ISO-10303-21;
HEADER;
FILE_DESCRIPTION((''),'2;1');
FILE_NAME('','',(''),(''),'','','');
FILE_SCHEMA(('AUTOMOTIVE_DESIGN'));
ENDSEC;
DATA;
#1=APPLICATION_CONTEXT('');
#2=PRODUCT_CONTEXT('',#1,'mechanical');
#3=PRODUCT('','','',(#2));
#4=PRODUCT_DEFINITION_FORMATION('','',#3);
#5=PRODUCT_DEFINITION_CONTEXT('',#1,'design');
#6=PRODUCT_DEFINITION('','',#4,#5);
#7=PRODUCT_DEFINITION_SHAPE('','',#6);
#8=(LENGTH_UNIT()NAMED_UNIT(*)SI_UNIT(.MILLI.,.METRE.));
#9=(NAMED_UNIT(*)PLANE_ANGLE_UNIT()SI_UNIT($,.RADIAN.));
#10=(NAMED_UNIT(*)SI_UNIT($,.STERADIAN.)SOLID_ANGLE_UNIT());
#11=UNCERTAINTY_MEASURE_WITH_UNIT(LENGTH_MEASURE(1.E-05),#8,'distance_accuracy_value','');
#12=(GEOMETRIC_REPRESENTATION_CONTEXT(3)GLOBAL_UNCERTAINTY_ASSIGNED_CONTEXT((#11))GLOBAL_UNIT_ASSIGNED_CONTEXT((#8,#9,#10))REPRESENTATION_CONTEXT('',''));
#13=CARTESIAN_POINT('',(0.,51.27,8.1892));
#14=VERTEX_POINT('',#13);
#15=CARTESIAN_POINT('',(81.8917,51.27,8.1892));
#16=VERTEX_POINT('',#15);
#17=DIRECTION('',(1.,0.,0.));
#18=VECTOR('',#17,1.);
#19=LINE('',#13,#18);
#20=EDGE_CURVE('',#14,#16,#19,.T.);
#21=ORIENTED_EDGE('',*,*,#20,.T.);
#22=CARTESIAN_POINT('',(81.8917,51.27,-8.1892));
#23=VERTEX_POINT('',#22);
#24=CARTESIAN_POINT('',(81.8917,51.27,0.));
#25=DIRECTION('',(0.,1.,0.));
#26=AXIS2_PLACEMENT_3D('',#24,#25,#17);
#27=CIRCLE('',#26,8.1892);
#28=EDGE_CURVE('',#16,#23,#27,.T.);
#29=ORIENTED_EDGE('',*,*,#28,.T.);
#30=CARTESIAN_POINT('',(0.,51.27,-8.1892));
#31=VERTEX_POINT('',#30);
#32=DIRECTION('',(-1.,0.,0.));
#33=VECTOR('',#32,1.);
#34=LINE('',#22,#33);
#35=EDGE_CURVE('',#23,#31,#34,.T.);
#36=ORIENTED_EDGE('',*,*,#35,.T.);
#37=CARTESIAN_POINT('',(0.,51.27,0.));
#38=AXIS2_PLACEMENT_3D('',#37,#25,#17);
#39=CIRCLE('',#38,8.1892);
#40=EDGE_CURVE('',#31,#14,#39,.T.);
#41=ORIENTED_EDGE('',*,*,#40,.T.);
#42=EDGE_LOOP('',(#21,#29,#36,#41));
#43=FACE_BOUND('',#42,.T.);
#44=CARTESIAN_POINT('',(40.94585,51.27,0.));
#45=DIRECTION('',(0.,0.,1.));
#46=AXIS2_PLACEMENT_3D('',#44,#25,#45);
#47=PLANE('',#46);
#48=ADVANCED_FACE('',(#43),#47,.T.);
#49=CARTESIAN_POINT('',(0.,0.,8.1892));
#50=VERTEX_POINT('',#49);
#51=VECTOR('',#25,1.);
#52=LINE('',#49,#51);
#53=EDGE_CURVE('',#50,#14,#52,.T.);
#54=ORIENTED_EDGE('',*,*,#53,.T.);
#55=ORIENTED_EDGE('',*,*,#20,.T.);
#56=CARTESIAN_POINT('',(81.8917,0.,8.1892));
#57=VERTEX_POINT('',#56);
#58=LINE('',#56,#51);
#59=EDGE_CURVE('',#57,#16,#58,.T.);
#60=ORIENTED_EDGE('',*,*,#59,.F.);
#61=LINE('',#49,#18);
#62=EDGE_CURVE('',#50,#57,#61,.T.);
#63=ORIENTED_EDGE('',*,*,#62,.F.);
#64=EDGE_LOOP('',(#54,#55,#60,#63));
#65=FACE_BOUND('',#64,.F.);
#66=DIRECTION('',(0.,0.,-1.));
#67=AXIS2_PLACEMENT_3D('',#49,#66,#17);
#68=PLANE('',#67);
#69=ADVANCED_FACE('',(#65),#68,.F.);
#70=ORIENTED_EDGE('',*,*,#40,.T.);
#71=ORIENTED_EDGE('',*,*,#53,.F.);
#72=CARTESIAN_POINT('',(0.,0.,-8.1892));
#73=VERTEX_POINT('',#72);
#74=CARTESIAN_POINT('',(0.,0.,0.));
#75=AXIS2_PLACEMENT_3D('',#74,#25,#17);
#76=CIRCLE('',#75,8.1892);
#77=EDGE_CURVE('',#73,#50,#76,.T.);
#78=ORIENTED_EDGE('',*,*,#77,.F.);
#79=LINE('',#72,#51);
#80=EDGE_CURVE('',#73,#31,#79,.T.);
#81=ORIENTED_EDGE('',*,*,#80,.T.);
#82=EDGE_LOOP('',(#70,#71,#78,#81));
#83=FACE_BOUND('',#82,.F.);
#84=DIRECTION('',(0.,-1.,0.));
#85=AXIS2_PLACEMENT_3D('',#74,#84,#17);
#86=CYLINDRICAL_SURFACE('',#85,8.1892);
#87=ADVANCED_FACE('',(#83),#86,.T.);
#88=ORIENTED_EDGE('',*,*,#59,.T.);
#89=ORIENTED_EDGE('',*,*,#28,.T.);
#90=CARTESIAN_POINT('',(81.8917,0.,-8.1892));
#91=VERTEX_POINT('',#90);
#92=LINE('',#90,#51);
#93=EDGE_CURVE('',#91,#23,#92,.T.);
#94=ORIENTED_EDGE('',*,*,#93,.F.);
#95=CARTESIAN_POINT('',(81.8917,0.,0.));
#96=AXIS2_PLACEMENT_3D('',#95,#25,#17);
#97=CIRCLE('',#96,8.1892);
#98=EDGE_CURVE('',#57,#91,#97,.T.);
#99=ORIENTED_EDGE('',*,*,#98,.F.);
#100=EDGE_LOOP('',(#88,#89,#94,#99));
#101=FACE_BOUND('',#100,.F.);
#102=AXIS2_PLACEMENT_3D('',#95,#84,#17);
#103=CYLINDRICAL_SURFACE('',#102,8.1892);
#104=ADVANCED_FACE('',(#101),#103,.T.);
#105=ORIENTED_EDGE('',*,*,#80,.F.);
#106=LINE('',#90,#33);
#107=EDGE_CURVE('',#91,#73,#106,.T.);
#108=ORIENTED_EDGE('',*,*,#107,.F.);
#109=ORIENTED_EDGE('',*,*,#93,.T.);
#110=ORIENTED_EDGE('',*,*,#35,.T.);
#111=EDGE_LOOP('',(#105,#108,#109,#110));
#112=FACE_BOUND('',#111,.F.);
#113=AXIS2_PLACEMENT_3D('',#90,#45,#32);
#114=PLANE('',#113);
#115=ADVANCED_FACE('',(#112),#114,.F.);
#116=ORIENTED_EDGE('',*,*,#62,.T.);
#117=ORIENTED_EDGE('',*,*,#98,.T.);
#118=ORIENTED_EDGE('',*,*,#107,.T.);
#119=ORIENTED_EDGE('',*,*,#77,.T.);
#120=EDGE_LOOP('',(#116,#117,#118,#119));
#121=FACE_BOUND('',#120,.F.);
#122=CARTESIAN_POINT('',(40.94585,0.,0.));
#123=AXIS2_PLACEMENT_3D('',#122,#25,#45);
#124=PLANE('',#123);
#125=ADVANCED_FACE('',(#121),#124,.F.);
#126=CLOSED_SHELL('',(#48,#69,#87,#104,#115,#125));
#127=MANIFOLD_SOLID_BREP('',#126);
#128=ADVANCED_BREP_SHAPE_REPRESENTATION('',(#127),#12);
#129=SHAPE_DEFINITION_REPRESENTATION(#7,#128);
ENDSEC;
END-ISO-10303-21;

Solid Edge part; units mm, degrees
sketch "Sketch1" plane through (0, 0, 0) normal (0, -1, 0) x (1, 0, 0)
  line L0 (0, 8.1892) -> (81.8917, 8.1892)
  line L1 (81.8917, -8.1892) -> (0, -8.1892)
  arc A0 (0, -8.1892) -> (0, 8.1892) centre (0, 0) cw
  arc A1 (81.8917, 8.1892) -> (81.8917, -8.1892) centre (81.8917, 0) cw
extrude "Protrusion1" add sketch "Sketch1" against normal blind 51.27
